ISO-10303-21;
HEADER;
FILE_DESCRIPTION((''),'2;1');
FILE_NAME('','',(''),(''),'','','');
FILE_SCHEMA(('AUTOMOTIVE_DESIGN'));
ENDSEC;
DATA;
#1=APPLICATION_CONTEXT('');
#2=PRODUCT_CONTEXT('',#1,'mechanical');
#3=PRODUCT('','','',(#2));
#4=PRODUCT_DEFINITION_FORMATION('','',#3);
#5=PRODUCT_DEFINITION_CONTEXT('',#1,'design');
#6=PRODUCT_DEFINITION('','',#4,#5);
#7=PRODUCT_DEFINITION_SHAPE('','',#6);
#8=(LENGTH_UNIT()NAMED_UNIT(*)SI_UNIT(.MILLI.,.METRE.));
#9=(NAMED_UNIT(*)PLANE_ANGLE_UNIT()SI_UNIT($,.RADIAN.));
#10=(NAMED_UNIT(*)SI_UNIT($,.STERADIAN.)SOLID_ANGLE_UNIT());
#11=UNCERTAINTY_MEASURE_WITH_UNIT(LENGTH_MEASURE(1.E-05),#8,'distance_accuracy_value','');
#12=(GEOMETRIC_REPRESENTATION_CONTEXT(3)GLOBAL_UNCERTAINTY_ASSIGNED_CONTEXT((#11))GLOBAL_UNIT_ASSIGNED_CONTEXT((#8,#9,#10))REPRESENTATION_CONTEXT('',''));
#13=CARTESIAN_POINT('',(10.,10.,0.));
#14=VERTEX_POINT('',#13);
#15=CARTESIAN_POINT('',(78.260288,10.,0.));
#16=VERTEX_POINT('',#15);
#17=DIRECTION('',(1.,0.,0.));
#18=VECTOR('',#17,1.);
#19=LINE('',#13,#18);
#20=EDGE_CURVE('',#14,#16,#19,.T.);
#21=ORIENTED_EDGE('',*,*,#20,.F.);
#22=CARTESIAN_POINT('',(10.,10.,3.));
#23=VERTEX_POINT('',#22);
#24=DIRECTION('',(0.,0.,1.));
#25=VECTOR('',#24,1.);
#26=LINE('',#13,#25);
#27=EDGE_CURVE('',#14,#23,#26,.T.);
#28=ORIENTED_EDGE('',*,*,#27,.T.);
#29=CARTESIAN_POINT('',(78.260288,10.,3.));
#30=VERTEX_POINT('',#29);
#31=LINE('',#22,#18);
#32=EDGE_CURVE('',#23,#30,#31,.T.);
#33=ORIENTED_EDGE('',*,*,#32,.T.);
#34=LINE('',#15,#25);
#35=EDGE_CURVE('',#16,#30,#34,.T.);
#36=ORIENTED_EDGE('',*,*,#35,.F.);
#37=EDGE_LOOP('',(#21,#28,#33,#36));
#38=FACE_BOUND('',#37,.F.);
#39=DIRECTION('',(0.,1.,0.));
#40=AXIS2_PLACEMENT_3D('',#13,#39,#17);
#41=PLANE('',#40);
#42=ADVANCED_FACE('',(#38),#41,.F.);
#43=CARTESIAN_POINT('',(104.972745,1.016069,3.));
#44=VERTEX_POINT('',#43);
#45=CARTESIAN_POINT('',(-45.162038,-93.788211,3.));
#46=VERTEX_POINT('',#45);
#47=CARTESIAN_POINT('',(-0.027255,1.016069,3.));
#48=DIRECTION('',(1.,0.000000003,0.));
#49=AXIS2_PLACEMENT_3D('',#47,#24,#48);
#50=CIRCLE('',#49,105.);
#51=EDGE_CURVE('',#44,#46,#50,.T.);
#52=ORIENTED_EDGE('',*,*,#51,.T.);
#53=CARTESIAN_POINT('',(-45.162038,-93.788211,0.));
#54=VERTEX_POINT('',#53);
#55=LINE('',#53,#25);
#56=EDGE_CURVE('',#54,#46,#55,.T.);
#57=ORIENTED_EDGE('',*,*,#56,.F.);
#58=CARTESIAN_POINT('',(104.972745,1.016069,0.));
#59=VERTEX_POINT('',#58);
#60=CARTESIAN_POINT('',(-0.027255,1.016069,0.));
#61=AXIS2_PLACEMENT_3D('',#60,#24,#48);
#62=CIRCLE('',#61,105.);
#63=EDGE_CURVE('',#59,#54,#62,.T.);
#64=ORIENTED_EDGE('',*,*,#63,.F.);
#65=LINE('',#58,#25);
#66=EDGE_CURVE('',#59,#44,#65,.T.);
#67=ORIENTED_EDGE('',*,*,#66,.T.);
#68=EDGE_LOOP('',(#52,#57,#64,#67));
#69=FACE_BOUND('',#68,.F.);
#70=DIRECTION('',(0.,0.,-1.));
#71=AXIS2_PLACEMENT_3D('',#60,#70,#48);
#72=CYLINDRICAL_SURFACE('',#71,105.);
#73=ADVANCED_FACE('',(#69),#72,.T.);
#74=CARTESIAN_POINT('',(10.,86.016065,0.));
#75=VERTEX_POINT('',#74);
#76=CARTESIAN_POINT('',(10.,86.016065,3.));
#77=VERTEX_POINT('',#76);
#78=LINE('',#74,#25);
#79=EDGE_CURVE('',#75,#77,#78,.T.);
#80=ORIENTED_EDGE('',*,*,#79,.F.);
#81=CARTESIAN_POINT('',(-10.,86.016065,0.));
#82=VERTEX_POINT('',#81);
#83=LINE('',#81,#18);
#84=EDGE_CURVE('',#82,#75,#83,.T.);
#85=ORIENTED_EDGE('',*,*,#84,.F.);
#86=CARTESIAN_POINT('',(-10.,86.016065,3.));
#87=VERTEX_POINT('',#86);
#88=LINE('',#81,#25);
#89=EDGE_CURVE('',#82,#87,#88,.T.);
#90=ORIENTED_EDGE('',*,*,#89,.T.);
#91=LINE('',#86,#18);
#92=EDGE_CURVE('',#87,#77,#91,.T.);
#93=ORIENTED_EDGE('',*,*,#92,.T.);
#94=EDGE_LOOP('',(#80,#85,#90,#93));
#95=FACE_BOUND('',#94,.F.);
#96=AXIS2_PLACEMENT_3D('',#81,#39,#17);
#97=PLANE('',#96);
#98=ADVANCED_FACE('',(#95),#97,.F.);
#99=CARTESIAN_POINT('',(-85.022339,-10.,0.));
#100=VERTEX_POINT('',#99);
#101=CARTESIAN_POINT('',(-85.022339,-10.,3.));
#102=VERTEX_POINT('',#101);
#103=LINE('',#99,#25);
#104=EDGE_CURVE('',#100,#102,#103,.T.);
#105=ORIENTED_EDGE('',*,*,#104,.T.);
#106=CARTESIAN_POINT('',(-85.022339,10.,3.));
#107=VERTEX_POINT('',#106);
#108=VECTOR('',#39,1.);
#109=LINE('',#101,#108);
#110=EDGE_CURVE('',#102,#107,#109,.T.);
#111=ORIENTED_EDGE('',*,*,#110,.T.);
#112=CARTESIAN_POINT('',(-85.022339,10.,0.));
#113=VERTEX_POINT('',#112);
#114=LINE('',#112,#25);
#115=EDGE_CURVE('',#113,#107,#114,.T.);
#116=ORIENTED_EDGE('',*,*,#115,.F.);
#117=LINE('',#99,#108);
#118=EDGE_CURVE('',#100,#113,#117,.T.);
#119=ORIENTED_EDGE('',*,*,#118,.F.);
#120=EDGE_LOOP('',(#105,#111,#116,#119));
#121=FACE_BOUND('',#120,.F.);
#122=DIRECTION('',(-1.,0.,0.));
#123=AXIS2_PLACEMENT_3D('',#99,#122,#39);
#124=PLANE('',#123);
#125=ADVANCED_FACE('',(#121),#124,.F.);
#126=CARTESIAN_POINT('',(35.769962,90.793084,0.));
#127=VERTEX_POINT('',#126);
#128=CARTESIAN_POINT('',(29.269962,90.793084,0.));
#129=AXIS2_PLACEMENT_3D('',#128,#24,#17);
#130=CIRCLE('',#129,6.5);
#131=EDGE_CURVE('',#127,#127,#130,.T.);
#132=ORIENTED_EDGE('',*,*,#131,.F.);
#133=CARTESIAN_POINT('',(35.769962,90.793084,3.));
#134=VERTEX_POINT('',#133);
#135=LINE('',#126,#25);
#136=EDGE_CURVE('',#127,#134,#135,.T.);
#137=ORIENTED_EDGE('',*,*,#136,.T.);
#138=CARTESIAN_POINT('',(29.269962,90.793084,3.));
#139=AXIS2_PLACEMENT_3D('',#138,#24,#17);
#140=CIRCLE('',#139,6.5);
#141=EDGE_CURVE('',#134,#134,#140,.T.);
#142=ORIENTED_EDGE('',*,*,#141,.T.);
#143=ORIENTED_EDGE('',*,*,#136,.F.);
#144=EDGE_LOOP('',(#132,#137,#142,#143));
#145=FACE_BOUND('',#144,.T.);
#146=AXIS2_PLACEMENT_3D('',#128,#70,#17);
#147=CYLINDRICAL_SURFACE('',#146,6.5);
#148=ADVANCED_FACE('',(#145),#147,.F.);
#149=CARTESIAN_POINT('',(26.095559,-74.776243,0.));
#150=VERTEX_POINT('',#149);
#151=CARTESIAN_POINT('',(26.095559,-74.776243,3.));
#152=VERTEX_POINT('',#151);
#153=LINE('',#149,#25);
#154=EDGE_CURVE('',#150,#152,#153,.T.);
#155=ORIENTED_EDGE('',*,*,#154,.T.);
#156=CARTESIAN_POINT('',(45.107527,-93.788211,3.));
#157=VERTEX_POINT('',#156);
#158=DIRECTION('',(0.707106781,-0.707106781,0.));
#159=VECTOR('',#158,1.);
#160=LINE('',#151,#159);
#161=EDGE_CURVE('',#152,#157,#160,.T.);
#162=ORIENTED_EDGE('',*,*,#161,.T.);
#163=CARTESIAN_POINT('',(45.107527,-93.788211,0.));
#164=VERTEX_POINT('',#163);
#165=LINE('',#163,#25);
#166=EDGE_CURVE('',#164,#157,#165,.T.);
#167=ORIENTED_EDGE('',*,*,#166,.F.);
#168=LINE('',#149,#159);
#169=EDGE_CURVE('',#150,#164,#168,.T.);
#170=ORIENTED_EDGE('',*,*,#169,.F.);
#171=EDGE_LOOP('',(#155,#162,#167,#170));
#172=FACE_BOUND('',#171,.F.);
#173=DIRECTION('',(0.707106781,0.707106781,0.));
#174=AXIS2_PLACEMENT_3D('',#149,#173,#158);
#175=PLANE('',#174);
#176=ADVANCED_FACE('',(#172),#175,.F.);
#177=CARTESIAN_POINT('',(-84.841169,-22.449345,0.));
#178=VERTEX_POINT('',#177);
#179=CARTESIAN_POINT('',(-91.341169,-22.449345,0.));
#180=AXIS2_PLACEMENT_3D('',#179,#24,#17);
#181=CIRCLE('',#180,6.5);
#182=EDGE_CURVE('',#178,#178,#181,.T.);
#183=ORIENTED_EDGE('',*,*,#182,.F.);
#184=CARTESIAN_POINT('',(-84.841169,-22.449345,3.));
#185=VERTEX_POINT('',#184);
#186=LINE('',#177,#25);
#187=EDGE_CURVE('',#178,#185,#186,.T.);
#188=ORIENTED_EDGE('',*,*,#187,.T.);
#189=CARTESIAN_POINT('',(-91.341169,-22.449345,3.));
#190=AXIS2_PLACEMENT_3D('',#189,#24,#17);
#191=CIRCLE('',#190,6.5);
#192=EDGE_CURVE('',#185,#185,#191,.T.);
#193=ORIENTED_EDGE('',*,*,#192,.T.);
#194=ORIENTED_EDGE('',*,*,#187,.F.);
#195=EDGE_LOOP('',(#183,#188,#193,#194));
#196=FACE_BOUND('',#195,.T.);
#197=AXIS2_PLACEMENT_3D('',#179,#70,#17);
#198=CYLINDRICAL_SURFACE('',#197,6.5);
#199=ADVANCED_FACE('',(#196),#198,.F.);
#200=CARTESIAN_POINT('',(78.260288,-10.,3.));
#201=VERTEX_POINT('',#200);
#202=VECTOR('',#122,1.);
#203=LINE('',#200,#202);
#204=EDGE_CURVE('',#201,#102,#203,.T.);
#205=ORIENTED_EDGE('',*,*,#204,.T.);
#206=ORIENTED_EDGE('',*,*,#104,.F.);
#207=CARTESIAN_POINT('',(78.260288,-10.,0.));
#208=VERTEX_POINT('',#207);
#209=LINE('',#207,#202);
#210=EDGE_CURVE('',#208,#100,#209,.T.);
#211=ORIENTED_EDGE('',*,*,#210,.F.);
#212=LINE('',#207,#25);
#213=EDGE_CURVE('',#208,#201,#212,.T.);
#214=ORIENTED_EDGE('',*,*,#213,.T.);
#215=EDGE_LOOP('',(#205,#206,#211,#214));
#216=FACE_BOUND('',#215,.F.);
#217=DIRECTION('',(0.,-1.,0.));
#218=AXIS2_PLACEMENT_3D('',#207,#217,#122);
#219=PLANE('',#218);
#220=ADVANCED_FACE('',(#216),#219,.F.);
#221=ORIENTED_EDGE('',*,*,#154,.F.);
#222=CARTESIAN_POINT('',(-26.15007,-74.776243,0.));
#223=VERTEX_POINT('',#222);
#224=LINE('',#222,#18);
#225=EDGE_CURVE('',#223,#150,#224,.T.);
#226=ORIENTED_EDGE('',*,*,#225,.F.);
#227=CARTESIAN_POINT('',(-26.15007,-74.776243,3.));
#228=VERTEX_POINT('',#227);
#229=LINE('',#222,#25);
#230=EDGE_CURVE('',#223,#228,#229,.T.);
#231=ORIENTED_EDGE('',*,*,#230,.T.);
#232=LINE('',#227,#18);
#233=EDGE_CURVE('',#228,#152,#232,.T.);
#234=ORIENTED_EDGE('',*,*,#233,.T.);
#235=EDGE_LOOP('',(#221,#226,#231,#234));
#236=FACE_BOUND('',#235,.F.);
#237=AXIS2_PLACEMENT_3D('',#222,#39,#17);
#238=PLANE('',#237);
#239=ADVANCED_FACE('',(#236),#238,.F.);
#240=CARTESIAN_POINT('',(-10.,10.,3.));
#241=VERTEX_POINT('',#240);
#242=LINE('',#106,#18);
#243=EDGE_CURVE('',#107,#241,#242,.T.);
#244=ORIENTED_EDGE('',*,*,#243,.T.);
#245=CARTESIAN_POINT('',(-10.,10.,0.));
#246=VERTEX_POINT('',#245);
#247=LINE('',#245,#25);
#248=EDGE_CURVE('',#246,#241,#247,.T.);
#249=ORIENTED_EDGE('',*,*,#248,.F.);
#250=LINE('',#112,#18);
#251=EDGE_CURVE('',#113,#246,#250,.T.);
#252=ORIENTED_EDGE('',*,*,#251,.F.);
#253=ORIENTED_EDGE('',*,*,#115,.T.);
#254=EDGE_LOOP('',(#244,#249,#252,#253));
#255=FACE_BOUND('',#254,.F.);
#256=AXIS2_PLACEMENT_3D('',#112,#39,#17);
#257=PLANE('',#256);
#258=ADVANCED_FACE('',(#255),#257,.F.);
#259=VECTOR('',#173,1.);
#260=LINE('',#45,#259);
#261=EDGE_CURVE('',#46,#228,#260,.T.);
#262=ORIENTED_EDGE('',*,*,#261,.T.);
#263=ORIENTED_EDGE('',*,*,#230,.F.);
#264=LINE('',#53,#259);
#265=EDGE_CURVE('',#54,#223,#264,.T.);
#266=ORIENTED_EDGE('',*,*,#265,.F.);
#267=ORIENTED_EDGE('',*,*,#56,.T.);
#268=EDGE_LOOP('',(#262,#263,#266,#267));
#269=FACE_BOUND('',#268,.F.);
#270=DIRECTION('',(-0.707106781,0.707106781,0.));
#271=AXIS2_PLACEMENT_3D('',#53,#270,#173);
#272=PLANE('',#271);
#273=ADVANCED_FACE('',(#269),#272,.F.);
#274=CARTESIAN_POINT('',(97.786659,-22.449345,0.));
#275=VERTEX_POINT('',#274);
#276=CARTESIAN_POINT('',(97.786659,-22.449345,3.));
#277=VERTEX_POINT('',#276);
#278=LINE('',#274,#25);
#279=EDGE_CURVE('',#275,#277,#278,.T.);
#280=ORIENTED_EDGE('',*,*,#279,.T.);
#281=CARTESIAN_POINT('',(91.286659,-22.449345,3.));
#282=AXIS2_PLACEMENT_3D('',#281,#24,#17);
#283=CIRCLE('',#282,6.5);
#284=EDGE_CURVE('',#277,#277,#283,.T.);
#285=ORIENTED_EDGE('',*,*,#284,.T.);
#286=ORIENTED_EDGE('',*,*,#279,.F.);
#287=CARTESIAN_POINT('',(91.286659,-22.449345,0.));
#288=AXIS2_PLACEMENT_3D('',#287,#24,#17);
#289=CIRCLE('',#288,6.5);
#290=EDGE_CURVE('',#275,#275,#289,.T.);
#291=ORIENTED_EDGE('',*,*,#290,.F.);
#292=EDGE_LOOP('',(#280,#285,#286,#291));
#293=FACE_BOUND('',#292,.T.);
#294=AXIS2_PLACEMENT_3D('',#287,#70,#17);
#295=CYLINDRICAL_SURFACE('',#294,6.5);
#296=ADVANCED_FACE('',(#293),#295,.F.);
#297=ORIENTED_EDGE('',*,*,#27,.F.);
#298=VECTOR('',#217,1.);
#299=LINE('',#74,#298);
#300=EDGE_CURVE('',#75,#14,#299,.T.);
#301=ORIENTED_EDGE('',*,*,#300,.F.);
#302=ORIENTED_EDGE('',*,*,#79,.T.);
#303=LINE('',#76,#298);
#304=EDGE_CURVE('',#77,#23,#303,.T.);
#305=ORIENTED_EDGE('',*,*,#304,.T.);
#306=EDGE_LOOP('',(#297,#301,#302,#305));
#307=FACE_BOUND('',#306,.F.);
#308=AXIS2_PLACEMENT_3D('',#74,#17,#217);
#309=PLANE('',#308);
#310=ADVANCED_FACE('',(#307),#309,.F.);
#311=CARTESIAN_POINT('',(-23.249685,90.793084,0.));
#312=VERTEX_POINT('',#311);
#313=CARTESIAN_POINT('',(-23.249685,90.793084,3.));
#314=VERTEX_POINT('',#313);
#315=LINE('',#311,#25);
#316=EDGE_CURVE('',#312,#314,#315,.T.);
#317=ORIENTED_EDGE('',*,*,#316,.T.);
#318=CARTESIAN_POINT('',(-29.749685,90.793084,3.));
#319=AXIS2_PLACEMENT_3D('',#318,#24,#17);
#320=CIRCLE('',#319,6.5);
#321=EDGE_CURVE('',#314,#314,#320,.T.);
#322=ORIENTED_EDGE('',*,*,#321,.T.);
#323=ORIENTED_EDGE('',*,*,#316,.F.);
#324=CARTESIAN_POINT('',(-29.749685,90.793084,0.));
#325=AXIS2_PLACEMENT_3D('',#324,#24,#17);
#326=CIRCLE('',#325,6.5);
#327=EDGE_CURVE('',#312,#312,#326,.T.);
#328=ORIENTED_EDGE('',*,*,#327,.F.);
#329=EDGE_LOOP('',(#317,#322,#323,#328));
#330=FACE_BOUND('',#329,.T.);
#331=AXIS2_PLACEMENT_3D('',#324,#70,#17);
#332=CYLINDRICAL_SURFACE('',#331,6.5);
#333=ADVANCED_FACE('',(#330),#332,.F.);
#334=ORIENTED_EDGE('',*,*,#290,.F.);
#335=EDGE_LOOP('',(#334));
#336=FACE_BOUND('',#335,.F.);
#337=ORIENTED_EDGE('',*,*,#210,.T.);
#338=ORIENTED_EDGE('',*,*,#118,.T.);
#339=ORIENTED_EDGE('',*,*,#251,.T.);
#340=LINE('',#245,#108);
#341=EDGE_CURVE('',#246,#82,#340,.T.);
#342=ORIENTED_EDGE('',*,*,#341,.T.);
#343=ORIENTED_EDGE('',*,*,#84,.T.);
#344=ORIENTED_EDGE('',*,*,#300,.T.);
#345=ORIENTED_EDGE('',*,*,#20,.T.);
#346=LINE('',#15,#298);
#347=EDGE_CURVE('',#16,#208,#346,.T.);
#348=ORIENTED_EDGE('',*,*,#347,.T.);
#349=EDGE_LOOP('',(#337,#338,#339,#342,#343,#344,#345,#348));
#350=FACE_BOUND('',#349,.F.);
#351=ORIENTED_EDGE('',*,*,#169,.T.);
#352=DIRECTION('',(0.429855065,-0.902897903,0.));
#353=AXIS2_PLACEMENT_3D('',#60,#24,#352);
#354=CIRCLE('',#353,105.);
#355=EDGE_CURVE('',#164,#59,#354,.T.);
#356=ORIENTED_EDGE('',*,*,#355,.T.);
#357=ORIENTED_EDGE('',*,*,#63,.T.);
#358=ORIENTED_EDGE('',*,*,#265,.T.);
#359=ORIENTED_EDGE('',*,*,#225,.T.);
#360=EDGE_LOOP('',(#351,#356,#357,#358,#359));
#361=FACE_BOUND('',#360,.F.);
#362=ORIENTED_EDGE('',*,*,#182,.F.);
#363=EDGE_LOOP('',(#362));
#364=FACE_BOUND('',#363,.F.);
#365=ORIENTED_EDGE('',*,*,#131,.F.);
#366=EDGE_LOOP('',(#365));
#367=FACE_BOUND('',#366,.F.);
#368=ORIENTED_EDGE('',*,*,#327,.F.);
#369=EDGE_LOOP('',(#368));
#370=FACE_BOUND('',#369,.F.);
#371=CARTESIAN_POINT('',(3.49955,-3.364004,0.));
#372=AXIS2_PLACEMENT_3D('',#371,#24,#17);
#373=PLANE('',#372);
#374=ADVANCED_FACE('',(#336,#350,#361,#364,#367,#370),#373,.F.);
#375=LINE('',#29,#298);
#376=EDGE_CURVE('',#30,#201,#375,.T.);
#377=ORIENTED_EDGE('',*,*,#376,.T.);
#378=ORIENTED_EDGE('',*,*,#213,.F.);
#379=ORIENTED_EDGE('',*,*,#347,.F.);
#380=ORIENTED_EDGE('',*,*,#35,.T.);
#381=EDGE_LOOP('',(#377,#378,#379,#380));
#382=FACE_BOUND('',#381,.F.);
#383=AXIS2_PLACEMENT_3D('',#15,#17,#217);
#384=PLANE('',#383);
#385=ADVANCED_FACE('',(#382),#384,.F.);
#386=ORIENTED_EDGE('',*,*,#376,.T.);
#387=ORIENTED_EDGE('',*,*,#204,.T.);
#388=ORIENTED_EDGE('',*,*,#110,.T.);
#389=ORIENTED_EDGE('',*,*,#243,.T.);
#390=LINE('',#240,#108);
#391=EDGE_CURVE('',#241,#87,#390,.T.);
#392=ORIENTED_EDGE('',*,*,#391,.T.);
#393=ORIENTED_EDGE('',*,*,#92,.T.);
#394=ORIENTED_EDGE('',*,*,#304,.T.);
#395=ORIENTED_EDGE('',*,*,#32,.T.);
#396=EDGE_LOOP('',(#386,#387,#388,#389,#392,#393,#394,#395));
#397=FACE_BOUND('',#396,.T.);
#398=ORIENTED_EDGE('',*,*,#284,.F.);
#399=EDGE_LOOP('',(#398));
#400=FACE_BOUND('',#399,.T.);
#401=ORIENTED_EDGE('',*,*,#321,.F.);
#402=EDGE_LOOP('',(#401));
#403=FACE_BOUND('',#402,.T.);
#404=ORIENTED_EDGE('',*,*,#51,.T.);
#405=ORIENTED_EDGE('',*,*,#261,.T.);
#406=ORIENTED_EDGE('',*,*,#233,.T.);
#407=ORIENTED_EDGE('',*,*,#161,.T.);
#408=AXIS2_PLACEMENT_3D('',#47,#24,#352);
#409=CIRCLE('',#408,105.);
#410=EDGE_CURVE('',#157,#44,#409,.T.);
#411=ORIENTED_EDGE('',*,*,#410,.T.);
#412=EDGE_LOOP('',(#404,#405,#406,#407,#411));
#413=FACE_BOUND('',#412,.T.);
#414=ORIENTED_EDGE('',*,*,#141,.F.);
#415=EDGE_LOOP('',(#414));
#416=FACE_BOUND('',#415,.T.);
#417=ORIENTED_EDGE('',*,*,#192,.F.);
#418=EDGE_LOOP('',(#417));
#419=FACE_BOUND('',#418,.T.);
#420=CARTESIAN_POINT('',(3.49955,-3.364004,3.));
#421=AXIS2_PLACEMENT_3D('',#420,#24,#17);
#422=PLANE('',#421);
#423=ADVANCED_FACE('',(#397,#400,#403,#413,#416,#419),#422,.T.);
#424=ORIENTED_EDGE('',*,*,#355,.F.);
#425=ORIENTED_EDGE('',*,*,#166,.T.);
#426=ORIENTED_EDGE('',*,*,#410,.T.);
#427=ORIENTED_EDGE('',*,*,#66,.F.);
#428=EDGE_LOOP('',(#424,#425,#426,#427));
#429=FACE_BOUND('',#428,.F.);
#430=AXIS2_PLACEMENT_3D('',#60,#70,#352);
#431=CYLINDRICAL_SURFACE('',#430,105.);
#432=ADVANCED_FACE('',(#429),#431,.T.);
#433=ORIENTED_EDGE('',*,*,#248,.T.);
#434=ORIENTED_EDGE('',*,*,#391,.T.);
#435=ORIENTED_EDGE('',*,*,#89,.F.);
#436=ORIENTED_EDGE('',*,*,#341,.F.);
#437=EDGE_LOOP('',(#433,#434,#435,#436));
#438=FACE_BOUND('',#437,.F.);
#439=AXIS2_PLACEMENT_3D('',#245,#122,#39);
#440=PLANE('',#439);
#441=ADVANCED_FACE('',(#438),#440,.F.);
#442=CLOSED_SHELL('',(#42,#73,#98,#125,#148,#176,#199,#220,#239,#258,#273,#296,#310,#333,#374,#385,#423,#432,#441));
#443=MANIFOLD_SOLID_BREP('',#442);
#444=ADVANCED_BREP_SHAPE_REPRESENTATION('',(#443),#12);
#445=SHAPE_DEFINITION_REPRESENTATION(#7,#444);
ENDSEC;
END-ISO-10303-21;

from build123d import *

# Parameters (mm, degrees)
F0_R     = 6.5
F1_DEPTH = 3


with BuildPart() as f1:
    # F0 (on Top) → F1 (new body)
    with BuildSketch(Plane.XY):
        with BuildLine():
            ThreePointArc((45.107527, -93.788211), (88.753802, -55.045718), (104.972745, 1.016069))
            ThreePointArc((104.972745, 1.016069), (-56.089042, 89.797126), (-45.162038, -93.788211))
            Line((-45.162038, -93.788211), (-26.15007, -74.776243))
            Line((-26.15007, -74.776243), (26.095559, -74.776243))
            Line((26.095559, -74.776243), (45.107527, -93.788211))
        make_face()
        with Locations((-91.341169, -22.449345)):
            Circle(F0_R, mode=Mode.SUBTRACT)
        with Locations((91.286659, -22.449345)):
            Circle(F0_R, mode=Mode.SUBTRACT)
        Polygon((-85.022339, -10), (-85.022339, 0), (-85.022339, 10), (-10, 10), (-10, 86.016065), (0, 86.016065), (10, 86.016065), (10, 10), (78.260288, 10), (78.260288, 0), (78.260288, -10), align=None, mode=Mode.SUBTRACT)
        with Locations((-29.749685, 90.793084)):
            Circle(F0_R, mode=Mode.SUBTRACT)
        with Locations((29.269962, 90.793084)):
            Circle(F0_R, mode=Mode.SUBTRACT)
    extrude(amount=F1_DEPTH)


solid = f1.part
